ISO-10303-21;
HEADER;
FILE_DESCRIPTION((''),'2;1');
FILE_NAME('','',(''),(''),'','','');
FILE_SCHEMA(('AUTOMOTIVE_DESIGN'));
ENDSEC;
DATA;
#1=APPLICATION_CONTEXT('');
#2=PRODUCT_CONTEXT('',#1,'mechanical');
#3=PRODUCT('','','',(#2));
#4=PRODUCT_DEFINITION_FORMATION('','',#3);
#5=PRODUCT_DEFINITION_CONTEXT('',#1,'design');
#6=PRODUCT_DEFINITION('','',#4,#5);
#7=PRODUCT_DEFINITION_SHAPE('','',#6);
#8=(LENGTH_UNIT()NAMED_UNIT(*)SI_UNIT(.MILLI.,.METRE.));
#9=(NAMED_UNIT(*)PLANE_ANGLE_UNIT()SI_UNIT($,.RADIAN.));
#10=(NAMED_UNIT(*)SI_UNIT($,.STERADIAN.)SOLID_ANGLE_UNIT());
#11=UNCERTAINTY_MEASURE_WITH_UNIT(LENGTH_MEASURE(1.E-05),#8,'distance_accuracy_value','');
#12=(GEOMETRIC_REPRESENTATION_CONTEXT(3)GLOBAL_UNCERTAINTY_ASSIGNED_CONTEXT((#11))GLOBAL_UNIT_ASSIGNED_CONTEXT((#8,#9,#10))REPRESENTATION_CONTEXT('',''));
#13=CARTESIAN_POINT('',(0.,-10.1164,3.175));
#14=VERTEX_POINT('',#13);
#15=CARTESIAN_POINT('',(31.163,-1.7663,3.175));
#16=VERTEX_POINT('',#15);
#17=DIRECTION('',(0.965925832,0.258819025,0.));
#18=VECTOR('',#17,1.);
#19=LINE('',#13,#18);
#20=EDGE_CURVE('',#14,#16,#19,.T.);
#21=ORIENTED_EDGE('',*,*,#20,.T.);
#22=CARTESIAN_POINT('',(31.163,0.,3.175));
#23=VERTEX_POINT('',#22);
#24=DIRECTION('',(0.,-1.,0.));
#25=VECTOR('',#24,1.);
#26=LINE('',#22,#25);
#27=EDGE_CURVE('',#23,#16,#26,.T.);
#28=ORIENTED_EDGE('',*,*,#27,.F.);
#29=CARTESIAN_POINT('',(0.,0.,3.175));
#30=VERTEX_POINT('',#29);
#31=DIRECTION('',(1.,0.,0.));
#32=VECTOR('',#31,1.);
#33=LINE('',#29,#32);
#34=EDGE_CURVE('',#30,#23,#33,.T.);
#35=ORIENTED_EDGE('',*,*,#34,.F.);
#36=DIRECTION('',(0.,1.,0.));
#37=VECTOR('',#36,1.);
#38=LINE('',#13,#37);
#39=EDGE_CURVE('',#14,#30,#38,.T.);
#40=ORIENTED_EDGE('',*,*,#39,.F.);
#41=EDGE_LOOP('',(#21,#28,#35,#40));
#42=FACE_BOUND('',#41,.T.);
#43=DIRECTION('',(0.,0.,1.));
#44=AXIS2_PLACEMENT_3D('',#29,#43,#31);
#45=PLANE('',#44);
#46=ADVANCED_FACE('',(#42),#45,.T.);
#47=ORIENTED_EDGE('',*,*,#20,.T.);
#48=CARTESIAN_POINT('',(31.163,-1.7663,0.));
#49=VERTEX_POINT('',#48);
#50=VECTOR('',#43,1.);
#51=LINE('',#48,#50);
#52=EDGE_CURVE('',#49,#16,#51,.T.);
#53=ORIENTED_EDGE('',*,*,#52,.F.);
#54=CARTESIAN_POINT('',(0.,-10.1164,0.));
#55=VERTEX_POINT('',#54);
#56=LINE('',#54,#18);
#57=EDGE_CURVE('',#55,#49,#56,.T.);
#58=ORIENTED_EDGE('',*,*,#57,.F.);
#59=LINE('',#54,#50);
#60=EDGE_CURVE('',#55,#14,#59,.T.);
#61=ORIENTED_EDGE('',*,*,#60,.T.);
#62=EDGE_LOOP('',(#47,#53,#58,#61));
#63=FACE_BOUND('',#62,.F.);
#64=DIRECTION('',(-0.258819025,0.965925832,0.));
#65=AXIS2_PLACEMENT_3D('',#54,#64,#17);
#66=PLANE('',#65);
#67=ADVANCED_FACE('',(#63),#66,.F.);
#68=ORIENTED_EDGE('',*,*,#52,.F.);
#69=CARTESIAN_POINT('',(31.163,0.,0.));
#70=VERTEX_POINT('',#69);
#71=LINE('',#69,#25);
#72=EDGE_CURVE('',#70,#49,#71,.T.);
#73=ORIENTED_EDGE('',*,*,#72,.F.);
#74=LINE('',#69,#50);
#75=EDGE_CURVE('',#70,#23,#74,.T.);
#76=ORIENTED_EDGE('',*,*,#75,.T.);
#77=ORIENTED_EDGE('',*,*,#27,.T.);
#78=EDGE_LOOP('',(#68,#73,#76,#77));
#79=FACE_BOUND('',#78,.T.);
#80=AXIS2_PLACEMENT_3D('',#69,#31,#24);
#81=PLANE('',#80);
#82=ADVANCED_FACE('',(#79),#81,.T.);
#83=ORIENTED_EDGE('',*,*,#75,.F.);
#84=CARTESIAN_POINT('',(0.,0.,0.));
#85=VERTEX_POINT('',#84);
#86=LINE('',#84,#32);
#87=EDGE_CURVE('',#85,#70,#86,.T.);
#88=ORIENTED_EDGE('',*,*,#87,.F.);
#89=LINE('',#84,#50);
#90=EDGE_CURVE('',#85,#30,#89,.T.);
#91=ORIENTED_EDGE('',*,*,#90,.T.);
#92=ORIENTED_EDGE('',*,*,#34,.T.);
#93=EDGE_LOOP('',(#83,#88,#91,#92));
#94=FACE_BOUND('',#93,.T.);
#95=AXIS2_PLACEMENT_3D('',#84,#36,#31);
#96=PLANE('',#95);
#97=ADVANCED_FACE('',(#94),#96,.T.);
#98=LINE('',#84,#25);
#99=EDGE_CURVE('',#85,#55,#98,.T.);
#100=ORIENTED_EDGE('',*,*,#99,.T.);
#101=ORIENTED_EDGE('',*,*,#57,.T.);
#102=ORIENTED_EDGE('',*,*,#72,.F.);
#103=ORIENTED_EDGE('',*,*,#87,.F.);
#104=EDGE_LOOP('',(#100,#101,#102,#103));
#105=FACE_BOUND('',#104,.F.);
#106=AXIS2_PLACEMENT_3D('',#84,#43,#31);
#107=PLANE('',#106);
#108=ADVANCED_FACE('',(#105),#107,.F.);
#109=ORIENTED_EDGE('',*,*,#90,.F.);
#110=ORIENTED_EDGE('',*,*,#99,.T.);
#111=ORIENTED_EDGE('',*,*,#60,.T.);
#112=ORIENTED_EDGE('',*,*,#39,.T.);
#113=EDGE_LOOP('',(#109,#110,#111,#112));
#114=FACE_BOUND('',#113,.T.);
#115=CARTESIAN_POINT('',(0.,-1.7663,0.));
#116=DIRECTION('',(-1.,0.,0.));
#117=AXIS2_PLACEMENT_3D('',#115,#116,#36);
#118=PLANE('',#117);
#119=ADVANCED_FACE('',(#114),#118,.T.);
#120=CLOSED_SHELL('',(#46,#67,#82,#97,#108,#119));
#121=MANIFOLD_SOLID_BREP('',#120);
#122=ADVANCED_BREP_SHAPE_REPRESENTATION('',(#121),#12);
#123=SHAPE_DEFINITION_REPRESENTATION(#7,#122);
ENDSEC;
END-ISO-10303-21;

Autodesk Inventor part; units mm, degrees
ref_plane "YZ Plane" through (0, 0, 0) normal (1, 0, 0) x (0, 1, 0)
ref_plane "XZ Plane" through (0, 0, 0) normal (0, 1, 0) x (-1, 0, 0)
ref_plane "XY Plane" through (0, 0, 0) normal (0, 0, 1) x (1, 0, 0)
sketch "Sketch1" plane through (0, 0, 0) normal (0, 0, 1) x (1, 0, 0)
  line L0 (0, 0) -> (31.163, 0)
  line L1 (31.163, 0) -> (31.163, -1.7663)
  line L2 (31.163, -1.7663) -> (0, -1.7663)
  line L3 (0, -1.7663) -> (0, 0)
  line L4 (0, -1.7663) -> (0, -10.1164)
  line L5 (0, -10.1164) -> (31.163, -1.7663)
  dimension "d0" = 31.163
  dimension "d1" = 10.1164
  dimension "d2" = 8.3501
extrude "Extrusion1" add sketch "Sketch1" along normal blind 3.175
properties part number "RudderStabilizingLowerFins"
